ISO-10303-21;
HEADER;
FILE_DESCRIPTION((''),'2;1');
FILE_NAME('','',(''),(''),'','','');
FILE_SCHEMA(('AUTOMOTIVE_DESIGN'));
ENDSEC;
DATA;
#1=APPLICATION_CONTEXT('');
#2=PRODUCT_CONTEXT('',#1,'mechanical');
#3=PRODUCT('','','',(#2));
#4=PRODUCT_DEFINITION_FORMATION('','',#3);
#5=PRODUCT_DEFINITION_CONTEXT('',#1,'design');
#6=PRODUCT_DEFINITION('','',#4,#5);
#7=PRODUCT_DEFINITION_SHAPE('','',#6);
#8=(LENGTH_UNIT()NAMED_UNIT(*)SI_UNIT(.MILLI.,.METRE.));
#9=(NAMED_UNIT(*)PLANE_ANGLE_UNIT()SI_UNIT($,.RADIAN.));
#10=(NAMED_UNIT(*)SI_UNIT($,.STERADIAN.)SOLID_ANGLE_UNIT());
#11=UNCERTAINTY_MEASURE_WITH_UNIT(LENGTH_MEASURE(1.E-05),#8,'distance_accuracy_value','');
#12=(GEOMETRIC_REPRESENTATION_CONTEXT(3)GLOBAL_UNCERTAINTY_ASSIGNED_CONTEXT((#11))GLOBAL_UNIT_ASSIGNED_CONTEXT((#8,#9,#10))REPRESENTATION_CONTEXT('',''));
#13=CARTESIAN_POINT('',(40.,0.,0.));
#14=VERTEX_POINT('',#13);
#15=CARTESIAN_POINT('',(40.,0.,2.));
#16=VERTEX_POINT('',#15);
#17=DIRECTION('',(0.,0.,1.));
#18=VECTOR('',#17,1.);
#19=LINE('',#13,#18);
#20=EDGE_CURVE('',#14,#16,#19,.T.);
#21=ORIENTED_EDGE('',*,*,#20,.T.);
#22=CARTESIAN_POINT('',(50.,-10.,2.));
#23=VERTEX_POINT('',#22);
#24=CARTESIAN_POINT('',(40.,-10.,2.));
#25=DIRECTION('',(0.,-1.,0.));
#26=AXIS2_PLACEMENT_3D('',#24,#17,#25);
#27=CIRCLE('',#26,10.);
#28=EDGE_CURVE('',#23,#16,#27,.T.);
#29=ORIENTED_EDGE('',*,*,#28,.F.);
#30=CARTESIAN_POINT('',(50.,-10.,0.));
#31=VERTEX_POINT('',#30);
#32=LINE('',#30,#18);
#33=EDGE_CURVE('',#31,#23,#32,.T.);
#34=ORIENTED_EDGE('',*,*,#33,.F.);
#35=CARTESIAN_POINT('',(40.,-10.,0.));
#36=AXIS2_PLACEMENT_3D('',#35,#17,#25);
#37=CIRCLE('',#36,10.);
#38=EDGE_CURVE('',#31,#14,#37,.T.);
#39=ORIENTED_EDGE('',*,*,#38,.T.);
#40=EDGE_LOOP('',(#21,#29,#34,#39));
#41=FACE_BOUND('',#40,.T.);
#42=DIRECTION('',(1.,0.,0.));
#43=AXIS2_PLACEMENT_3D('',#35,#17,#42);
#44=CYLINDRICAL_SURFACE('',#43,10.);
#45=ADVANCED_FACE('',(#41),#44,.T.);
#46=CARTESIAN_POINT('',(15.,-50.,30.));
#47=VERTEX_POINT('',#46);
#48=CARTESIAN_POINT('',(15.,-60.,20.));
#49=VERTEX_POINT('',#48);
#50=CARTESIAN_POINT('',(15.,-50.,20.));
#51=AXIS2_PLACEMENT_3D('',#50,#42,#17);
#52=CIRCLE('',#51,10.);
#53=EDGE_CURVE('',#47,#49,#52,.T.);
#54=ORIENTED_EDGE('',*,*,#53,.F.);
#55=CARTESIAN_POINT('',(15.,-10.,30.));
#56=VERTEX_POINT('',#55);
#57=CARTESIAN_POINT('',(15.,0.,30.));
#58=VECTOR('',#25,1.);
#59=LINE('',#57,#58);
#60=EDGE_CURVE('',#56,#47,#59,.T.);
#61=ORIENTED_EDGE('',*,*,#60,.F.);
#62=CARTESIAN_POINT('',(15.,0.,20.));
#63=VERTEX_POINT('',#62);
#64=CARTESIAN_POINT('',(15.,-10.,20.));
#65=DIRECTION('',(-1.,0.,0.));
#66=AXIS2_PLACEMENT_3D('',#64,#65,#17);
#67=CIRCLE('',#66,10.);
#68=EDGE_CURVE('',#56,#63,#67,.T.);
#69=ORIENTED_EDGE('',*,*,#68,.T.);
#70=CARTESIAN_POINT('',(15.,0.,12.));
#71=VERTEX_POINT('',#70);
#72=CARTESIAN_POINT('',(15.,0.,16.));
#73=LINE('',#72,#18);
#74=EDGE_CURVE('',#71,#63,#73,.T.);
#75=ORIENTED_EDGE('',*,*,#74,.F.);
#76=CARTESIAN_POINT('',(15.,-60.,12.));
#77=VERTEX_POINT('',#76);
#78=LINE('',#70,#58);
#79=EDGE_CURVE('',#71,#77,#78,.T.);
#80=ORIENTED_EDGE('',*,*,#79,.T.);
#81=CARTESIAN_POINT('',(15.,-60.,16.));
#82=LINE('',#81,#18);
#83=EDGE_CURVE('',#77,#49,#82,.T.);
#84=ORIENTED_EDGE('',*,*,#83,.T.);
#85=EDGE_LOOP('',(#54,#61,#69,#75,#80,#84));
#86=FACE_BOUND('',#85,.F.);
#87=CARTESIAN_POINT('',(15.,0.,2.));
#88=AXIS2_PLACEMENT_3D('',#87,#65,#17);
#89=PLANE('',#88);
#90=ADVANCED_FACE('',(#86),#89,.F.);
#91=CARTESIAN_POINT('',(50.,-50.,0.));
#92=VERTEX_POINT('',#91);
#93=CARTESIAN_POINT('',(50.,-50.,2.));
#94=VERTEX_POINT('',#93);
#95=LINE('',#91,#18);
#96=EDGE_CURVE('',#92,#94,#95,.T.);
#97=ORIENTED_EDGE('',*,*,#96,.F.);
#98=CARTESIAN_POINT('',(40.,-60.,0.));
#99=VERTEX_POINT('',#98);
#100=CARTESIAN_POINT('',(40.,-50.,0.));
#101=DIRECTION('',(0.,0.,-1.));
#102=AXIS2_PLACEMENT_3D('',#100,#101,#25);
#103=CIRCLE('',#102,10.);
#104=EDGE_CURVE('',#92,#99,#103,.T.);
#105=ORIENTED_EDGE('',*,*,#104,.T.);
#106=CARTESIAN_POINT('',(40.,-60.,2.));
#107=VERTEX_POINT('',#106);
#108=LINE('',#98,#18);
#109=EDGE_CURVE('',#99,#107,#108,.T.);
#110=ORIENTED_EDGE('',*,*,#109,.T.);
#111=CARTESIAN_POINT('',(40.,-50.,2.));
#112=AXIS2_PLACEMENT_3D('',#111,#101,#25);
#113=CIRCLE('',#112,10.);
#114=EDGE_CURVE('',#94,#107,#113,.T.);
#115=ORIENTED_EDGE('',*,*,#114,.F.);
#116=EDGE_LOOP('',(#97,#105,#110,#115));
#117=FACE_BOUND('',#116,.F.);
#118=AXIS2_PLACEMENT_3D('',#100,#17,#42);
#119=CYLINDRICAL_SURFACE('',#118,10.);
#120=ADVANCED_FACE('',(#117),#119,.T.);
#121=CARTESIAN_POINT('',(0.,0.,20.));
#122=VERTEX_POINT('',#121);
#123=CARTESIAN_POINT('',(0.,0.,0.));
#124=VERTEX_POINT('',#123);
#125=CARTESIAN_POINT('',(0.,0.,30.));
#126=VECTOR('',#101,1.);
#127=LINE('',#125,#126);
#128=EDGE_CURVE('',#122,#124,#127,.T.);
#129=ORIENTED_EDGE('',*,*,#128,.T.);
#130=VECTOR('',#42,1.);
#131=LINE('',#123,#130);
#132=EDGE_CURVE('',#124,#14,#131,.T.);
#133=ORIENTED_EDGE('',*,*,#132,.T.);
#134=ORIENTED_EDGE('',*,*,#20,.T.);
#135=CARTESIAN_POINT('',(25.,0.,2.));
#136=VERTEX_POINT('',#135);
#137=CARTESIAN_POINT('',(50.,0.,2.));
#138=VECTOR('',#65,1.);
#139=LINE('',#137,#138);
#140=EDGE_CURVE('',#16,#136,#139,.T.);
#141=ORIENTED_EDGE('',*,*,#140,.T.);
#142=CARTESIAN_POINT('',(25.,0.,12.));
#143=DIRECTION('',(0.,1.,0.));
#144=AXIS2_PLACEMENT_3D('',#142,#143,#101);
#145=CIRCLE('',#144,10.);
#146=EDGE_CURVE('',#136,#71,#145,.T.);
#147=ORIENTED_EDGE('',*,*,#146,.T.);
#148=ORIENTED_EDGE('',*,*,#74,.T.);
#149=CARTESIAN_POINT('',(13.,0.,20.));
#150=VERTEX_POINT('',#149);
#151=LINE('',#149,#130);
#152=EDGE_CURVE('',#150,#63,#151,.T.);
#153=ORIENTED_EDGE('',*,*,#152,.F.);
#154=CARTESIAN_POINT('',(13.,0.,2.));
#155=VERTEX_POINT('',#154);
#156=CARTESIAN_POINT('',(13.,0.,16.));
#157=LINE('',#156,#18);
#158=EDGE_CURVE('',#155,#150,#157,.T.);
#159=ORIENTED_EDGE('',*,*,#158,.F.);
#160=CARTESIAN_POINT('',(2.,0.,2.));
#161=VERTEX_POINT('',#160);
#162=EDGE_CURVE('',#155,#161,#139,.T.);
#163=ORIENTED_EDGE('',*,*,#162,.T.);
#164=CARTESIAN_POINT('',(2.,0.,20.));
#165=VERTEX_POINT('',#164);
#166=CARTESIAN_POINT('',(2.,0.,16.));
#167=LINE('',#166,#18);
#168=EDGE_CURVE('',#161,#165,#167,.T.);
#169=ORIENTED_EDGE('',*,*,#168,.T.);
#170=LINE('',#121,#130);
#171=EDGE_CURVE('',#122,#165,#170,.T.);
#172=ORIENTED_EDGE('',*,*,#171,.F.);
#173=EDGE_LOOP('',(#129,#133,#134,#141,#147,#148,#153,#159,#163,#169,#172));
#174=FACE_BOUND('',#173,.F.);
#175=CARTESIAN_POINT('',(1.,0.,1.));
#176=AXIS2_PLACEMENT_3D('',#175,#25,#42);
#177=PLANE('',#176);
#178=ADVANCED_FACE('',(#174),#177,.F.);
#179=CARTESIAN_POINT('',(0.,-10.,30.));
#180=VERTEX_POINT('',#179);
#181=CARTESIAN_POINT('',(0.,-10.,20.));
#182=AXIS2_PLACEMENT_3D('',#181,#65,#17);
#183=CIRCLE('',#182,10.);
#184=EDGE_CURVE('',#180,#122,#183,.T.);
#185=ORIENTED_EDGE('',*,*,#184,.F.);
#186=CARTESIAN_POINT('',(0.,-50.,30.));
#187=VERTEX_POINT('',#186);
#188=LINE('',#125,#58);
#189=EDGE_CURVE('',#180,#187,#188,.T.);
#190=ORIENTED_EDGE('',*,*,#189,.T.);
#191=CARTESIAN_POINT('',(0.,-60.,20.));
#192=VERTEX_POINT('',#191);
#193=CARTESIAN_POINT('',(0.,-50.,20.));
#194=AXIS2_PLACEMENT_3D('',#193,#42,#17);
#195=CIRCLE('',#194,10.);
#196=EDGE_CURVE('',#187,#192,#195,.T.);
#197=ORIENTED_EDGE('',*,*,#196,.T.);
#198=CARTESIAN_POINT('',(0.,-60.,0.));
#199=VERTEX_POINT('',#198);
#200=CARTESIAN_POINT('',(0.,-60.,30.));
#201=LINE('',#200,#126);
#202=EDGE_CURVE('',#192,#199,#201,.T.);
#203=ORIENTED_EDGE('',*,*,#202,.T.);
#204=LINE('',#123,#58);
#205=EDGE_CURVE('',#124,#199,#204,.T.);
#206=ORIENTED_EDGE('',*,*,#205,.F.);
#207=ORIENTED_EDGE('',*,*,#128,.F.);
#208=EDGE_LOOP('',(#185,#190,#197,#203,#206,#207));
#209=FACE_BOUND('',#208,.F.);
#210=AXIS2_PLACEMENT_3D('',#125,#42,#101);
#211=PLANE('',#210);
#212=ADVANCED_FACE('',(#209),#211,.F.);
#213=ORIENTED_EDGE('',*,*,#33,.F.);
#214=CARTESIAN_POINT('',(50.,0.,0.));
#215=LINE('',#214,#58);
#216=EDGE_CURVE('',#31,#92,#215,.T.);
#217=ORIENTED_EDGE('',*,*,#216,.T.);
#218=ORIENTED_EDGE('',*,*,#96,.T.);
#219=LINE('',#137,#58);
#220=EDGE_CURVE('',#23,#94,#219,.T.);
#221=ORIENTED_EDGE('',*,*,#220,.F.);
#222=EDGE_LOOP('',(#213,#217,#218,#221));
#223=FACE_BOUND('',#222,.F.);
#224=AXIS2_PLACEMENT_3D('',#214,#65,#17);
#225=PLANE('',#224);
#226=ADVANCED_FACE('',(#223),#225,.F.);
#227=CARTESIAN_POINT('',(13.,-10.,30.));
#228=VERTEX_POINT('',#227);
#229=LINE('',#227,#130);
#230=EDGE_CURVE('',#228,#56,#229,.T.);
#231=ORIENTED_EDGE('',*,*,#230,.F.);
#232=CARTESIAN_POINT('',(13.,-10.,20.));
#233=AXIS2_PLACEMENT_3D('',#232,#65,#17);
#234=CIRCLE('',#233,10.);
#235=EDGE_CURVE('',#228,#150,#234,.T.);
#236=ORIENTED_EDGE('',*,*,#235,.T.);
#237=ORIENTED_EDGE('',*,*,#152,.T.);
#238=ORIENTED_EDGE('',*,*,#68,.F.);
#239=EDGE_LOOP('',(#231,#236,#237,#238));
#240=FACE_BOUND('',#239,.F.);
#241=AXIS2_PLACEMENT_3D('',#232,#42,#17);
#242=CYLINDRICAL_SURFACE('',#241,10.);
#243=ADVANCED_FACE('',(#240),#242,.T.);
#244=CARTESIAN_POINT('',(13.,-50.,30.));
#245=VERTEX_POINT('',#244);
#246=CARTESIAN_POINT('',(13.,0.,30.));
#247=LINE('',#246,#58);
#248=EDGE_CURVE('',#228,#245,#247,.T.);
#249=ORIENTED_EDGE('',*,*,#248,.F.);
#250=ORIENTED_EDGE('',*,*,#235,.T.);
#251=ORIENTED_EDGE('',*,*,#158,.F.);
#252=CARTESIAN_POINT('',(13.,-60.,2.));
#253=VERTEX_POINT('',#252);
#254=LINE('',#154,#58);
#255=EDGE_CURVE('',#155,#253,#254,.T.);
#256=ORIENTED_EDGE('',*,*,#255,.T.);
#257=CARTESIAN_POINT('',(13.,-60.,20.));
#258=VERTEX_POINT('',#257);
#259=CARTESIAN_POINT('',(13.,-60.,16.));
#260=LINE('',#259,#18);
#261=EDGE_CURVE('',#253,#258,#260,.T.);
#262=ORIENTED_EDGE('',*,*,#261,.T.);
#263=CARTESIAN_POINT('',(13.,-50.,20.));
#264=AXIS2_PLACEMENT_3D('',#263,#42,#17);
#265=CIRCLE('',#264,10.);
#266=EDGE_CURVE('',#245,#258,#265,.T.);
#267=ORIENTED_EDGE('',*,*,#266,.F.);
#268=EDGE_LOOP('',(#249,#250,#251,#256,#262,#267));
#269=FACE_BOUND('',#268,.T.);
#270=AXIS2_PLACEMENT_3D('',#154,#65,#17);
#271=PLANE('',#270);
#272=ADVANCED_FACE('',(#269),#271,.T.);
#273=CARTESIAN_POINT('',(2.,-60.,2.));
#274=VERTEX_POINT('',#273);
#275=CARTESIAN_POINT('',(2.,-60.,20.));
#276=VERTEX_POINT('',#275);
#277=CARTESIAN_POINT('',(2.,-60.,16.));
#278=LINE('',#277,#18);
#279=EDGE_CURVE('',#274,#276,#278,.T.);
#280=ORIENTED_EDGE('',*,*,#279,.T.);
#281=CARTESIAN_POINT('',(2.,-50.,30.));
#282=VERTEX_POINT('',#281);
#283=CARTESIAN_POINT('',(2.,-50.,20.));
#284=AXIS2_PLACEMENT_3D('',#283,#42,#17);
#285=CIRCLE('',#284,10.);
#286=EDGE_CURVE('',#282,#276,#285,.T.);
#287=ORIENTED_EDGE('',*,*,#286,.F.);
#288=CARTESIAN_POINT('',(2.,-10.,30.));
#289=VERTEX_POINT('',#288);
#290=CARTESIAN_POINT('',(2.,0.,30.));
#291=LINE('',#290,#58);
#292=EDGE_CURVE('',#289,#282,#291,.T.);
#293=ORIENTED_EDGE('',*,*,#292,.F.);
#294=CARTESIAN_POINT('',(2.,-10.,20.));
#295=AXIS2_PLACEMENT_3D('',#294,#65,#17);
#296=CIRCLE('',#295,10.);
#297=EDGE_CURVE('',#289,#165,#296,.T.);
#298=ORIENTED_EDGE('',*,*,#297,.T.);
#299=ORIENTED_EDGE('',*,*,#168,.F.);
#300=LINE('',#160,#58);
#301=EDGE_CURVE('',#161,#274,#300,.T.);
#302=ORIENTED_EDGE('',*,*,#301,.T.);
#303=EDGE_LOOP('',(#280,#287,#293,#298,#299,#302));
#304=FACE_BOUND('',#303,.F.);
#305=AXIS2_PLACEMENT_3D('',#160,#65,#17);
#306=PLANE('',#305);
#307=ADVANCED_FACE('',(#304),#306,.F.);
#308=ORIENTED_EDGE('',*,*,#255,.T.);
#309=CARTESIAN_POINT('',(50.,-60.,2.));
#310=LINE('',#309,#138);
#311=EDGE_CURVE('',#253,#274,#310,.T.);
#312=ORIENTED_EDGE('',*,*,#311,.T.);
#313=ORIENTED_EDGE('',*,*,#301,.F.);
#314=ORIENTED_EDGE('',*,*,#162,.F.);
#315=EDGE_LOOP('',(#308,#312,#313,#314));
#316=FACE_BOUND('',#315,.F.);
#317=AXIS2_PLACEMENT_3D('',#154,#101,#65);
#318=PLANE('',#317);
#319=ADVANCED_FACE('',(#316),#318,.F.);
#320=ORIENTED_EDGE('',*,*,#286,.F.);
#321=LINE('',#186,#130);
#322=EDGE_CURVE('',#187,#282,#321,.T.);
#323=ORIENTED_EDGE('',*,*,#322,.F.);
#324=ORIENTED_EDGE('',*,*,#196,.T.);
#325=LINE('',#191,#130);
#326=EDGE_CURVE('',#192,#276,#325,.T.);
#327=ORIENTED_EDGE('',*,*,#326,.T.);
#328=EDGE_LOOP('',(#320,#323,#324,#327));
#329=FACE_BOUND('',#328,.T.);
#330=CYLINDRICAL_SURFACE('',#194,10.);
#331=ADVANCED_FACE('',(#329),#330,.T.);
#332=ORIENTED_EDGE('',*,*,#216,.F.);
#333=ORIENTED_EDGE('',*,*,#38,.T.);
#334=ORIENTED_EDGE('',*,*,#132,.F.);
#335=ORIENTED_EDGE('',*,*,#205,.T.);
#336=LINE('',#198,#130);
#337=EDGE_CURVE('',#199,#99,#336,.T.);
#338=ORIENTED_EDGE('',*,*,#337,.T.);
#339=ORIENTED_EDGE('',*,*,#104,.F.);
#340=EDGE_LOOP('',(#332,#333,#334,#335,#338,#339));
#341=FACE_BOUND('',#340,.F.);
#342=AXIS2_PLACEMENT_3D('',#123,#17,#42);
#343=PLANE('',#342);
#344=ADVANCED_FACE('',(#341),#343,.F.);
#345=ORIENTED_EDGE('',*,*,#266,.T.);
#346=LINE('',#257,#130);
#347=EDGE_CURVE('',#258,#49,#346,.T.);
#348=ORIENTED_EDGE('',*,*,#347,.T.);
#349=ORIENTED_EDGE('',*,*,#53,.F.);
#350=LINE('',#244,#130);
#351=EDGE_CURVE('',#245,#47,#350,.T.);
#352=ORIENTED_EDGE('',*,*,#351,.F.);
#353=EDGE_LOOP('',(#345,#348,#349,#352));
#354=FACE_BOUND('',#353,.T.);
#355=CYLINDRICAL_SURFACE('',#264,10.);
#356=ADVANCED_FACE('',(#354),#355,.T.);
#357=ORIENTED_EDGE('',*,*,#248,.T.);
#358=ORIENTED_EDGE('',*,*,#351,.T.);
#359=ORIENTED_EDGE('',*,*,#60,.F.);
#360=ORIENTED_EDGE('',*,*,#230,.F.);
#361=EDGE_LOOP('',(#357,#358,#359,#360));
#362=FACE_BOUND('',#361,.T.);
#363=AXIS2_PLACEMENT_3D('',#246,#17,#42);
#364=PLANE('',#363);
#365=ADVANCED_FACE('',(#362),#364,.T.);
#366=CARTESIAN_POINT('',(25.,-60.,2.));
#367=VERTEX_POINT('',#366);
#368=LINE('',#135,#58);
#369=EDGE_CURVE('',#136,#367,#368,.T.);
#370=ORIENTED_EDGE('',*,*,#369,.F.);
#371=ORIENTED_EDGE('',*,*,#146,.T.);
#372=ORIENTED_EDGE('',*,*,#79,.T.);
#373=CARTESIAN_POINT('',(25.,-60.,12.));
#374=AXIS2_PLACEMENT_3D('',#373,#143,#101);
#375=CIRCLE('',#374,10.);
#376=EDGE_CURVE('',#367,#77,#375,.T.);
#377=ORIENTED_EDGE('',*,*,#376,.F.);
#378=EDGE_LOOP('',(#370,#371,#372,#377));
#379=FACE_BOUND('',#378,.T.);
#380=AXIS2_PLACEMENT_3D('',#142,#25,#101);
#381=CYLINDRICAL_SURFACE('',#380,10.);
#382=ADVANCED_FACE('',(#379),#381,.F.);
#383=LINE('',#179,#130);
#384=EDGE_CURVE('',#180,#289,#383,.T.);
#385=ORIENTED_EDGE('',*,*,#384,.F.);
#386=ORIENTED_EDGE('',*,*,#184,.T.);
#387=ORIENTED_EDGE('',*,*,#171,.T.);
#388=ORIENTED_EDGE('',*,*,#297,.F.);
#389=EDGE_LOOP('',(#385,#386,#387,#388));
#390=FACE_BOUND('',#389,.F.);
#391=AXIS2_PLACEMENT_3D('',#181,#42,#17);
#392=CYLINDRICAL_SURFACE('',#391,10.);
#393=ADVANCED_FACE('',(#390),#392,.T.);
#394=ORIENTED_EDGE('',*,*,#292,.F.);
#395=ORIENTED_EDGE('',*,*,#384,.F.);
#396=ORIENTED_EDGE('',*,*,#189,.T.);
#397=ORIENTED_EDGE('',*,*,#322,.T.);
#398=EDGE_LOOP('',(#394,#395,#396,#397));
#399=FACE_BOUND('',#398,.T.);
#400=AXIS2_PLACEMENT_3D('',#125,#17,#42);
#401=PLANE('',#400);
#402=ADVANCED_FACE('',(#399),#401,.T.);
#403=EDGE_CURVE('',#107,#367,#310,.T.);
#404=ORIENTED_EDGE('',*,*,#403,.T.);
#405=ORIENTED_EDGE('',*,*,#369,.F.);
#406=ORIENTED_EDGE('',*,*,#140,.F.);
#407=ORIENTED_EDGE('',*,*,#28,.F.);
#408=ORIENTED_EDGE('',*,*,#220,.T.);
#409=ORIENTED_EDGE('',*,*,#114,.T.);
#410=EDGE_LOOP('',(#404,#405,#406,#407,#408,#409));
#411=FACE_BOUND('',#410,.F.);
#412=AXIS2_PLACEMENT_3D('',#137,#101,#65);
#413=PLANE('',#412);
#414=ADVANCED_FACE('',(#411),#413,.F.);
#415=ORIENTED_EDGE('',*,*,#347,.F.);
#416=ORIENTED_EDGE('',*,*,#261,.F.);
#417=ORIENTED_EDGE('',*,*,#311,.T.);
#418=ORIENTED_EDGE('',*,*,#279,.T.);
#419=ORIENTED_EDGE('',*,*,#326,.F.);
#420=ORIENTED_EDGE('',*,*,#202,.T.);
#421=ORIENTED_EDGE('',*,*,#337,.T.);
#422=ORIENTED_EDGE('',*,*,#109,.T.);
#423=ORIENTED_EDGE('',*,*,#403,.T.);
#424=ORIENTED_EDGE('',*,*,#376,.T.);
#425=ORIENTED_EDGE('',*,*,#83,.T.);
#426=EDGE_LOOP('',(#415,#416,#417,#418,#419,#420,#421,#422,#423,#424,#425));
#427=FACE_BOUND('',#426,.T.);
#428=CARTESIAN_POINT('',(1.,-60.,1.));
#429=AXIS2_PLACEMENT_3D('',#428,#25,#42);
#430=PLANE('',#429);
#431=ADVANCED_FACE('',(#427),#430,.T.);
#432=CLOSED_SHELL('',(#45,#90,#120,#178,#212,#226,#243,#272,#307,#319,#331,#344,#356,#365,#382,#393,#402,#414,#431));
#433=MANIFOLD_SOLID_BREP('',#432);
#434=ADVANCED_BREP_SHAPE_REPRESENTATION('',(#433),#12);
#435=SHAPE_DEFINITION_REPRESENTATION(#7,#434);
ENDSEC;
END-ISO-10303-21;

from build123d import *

# Parameters (mm, degrees)
F0_W     = 2
F0_H     = 2
F0_W_2   = 11
F0_H_2   = 28
F0_W_3   = 35
F1_DEPTH = 60
F2_R     = 10


with BuildPart() as f1:
    # F0 (on Front) → F1 (new body)
    with BuildSketch(Plane.XZ):
        with Locations((1, 1)):
            Rectangle(F0_W, F0_H)
        with Locations((7.5, 1)):
            Rectangle(F0_W_2, F0_H)
        with Locations((1, 16)):
            Rectangle(F0_W, F0_H_2)
        with Locations((14, 1)):
            Rectangle(F0_W, F0_H)
        with Locations((32.5, 1)):
            Rectangle(F0_W_3, F0_H)
        with Locations((14, 16)):
            Rectangle(F0_W, F0_H_2)
    extrude(amount=F1_DEPTH)

    # F2
    f2_edges = [f1.edges().sort_by_distance(p)[0] for p in [
        (14, -60, 30),
        (1, -60, 30),
        (14, 0, 30),
        (1, 0, 30),
        (15, -30, 2),
        (50, 0, 1),
        (50, -60, 1),
    ]]
    fillet(f2_edges, radius=F2_R)


solid = f1.part
